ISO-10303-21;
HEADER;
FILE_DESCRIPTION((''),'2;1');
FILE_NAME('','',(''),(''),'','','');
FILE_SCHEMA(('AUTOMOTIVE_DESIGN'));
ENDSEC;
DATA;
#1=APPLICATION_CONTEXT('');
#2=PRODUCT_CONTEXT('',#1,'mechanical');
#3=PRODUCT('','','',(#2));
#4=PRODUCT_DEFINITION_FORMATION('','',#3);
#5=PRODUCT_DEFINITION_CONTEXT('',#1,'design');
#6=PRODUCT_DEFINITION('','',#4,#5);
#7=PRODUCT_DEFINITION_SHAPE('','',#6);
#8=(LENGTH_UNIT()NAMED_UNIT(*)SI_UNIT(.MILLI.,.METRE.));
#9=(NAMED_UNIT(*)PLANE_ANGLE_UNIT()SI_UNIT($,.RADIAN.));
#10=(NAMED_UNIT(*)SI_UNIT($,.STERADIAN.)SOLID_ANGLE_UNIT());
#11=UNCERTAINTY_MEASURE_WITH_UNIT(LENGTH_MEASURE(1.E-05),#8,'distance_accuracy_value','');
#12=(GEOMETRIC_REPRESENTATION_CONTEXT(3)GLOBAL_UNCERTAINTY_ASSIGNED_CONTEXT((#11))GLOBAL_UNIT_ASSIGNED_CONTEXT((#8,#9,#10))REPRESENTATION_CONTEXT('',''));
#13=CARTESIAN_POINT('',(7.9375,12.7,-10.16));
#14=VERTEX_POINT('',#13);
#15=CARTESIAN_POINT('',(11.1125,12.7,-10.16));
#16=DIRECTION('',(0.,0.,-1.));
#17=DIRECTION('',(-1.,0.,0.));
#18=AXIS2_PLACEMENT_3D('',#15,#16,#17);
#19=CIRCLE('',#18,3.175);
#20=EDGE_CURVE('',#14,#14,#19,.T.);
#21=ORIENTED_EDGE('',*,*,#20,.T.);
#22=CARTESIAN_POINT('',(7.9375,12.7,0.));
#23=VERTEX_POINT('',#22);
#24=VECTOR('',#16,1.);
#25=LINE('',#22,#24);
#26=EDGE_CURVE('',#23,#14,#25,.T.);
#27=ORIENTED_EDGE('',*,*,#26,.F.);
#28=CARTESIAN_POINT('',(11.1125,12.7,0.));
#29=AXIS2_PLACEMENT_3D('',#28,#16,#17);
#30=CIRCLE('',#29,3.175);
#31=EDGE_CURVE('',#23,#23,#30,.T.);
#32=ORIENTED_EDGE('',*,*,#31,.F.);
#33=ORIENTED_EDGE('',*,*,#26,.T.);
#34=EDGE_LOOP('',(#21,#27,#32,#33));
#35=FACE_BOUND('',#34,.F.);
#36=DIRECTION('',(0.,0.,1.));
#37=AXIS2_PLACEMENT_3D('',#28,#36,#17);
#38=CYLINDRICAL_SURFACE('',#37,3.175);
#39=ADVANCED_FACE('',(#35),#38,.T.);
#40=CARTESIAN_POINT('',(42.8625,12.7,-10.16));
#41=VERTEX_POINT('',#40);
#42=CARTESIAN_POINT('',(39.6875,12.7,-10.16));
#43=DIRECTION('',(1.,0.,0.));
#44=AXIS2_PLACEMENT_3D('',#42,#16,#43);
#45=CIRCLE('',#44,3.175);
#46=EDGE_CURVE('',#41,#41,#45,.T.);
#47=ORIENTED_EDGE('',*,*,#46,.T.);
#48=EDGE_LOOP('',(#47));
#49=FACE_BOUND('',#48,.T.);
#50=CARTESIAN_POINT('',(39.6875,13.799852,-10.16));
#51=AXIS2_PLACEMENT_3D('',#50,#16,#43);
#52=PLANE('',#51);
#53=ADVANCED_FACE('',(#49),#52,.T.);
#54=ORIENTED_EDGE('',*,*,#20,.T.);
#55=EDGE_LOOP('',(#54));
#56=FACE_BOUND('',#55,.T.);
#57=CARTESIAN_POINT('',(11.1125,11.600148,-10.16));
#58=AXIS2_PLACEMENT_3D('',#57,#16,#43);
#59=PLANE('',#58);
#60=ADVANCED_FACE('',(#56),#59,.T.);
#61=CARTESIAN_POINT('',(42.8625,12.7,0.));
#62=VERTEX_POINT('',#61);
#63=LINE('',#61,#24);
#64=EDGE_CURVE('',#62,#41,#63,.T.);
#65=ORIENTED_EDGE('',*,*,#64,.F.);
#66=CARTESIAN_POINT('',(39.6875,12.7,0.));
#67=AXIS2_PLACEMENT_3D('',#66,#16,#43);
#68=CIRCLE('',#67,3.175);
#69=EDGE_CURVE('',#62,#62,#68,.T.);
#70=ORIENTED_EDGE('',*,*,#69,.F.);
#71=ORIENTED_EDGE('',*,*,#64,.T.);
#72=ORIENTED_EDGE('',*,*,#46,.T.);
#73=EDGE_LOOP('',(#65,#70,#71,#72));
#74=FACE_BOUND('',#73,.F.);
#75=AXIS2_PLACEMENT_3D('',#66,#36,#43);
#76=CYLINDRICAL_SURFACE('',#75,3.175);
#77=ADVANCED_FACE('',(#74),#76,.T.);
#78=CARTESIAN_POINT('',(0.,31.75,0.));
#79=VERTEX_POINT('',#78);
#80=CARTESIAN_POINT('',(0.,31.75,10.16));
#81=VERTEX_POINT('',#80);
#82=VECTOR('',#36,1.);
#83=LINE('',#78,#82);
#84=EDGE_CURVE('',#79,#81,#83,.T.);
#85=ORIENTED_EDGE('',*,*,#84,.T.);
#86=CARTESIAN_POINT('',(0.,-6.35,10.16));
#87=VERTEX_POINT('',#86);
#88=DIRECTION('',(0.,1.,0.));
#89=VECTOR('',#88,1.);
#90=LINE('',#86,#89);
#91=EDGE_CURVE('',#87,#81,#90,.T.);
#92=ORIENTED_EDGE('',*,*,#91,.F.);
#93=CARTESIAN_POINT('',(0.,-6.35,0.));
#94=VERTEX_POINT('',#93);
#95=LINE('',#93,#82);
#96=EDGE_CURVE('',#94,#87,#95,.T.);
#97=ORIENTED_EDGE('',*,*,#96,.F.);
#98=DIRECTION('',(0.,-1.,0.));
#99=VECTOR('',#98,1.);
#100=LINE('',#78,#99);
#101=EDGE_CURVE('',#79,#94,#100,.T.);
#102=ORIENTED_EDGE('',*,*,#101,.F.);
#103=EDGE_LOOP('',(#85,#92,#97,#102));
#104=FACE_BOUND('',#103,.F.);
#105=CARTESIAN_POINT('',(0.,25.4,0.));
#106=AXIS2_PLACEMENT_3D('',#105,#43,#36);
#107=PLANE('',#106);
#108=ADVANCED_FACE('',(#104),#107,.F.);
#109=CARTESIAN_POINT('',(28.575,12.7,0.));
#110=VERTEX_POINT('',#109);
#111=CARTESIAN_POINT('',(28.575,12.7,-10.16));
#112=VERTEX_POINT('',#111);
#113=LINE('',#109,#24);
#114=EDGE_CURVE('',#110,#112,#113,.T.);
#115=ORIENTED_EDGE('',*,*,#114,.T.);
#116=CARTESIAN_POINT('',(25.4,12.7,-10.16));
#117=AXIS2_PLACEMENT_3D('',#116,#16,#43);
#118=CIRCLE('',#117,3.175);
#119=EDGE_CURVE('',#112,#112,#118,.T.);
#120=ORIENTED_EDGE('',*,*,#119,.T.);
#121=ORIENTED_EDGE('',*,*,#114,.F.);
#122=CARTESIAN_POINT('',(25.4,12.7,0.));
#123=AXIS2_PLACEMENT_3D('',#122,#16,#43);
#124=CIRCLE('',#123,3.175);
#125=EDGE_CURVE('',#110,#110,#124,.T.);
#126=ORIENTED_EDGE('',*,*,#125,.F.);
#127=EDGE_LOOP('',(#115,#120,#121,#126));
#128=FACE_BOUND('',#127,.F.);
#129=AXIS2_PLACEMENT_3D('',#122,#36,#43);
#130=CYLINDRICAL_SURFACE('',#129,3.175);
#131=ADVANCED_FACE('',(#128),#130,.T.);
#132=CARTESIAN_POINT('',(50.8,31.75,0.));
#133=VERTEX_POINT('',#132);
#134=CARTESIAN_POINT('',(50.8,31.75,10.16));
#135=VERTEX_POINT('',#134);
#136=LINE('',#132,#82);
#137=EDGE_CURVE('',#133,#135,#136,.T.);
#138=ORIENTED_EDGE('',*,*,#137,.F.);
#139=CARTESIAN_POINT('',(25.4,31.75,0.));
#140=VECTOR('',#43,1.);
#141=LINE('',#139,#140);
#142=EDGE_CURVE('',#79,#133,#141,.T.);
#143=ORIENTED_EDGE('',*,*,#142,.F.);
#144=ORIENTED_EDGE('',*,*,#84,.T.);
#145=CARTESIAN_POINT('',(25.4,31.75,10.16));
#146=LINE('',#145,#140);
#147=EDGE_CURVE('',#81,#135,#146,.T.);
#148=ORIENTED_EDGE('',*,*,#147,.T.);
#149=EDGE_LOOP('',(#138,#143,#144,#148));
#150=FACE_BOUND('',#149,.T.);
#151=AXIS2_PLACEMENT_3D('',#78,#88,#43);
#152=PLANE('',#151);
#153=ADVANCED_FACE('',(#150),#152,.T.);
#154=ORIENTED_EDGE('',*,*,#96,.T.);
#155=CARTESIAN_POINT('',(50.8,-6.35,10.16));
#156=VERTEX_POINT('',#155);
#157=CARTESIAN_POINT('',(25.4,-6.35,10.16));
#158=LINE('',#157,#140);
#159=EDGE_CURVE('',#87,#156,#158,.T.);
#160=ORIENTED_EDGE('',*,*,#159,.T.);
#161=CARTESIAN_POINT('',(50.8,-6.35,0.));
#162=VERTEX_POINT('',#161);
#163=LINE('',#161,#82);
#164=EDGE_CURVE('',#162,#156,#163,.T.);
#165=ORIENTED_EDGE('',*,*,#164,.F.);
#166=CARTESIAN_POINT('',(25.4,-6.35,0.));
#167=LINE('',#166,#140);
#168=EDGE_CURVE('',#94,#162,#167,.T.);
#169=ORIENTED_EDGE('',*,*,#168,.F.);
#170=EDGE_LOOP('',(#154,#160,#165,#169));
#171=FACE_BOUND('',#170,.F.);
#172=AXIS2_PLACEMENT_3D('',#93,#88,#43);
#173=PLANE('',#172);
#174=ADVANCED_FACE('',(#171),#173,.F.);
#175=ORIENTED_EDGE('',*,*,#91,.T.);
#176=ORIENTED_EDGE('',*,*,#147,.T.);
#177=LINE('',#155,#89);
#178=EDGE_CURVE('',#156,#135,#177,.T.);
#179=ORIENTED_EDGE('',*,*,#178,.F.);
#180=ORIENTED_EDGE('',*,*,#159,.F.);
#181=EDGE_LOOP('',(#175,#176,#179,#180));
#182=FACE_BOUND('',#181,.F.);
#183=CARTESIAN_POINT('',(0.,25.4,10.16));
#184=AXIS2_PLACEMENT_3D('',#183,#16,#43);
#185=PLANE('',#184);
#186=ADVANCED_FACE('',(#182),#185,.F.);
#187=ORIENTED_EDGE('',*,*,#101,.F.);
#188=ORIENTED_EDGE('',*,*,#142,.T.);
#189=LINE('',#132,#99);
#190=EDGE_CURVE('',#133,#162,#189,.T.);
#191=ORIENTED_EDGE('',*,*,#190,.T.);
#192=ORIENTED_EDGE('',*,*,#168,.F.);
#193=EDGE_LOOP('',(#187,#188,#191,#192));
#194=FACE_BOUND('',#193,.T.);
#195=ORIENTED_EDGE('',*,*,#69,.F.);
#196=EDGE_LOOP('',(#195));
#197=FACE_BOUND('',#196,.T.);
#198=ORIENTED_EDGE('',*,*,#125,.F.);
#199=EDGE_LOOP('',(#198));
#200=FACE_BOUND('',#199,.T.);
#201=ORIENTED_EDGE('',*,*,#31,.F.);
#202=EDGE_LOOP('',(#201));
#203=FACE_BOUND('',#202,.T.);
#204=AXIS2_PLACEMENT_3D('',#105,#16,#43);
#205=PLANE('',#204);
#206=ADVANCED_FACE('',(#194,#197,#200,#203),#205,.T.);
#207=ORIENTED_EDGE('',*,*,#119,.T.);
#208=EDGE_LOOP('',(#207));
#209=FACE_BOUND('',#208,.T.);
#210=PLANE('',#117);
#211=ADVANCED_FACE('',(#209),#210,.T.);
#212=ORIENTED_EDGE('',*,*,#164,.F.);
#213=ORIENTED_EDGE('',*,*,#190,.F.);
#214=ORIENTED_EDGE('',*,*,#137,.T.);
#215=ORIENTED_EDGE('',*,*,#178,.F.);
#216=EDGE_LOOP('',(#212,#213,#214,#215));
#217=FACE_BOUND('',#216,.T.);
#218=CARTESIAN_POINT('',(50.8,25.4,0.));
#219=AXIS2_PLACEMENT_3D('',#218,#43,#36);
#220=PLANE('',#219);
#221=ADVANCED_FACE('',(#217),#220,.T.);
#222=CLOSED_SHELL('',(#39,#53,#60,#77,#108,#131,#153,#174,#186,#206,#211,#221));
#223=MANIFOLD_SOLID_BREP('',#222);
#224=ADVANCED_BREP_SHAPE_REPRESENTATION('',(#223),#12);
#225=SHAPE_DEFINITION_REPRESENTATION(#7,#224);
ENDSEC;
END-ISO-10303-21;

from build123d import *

# Parameters (mm, degrees)
F0_W     = 50.8
F0_H     = 25.4
F1_DEPTH = 10.16
F2_R     = 3.175
F3_DEPTH = 10.16
F5_DEPTH = 10.16
F6_DEPTH = 6.35
F7_DEPTH = 6.35


with BuildPart() as f1:
    # F0 (on Top) → F1 (new body)
    with BuildSketch(Plane.XY):
        with Locations((25.4, 12.7)):
            Rectangle(F0_W, F0_H)
    extrude(amount=F1_DEPTH)

    # F2 (on face) → F3 (join)
    with BuildSketch(Plane(origin=(0, 0, 0), x_dir=(1, 0, 0), z_dir=(0, 0, -1))):
        with Locations((25.4, -12.7)):
            Circle(F2_R)
    extrude(amount=F3_DEPTH)

    # F4 (on face) → F5 (join)
    with BuildSketch(Plane(origin=(0, 0, 0), x_dir=(1, 0, 0), z_dir=(0, 0, -1))):
        with BuildLine():
            Line((7.9375, -12.7), (14.2875, -12.7))
            ThreePointArc((14.2875, -12.7), (11.1125, -9.525), (7.9375, -12.7))
        make_face()
        with BuildLine():
            ThreePointArc((7.9375, -12.7), (11.1125, -15.875), (14.2875, -12.7))
            Line((14.2875, -12.7), (7.9375, -12.7))
        make_face()
        with BuildLine():
            Line((42.8625, -12.7), (36.5125, -12.7))
            ThreePointArc((36.5125, -12.7), (39.6875, -15.875), (42.8625, -12.7))
        make_face()
        with BuildLine():
            ThreePointArc((42.8625, -12.7), (39.6875, -9.525), (36.5125, -12.7))
            Line((36.5125, -12.7), (42.8625, -12.7))
        make_face()
    extrude(amount=F5_DEPTH)

    # F6 (add): a face of the model
    f6_faces = [f1.faces().sort_by_distance(p)[0] for p in [
        (25.4, 0, 5.08),
    ]]
    extrude(f6_faces, amount=F6_DEPTH)

    # F7 (add): a face of the model
    f7_faces = [f1.faces().sort_by_distance(p)[0] for p in [
        (25.4, 25.4, 5.08),
    ]]
    extrude(f7_faces, amount=F7_DEPTH)


solid = f1.part
